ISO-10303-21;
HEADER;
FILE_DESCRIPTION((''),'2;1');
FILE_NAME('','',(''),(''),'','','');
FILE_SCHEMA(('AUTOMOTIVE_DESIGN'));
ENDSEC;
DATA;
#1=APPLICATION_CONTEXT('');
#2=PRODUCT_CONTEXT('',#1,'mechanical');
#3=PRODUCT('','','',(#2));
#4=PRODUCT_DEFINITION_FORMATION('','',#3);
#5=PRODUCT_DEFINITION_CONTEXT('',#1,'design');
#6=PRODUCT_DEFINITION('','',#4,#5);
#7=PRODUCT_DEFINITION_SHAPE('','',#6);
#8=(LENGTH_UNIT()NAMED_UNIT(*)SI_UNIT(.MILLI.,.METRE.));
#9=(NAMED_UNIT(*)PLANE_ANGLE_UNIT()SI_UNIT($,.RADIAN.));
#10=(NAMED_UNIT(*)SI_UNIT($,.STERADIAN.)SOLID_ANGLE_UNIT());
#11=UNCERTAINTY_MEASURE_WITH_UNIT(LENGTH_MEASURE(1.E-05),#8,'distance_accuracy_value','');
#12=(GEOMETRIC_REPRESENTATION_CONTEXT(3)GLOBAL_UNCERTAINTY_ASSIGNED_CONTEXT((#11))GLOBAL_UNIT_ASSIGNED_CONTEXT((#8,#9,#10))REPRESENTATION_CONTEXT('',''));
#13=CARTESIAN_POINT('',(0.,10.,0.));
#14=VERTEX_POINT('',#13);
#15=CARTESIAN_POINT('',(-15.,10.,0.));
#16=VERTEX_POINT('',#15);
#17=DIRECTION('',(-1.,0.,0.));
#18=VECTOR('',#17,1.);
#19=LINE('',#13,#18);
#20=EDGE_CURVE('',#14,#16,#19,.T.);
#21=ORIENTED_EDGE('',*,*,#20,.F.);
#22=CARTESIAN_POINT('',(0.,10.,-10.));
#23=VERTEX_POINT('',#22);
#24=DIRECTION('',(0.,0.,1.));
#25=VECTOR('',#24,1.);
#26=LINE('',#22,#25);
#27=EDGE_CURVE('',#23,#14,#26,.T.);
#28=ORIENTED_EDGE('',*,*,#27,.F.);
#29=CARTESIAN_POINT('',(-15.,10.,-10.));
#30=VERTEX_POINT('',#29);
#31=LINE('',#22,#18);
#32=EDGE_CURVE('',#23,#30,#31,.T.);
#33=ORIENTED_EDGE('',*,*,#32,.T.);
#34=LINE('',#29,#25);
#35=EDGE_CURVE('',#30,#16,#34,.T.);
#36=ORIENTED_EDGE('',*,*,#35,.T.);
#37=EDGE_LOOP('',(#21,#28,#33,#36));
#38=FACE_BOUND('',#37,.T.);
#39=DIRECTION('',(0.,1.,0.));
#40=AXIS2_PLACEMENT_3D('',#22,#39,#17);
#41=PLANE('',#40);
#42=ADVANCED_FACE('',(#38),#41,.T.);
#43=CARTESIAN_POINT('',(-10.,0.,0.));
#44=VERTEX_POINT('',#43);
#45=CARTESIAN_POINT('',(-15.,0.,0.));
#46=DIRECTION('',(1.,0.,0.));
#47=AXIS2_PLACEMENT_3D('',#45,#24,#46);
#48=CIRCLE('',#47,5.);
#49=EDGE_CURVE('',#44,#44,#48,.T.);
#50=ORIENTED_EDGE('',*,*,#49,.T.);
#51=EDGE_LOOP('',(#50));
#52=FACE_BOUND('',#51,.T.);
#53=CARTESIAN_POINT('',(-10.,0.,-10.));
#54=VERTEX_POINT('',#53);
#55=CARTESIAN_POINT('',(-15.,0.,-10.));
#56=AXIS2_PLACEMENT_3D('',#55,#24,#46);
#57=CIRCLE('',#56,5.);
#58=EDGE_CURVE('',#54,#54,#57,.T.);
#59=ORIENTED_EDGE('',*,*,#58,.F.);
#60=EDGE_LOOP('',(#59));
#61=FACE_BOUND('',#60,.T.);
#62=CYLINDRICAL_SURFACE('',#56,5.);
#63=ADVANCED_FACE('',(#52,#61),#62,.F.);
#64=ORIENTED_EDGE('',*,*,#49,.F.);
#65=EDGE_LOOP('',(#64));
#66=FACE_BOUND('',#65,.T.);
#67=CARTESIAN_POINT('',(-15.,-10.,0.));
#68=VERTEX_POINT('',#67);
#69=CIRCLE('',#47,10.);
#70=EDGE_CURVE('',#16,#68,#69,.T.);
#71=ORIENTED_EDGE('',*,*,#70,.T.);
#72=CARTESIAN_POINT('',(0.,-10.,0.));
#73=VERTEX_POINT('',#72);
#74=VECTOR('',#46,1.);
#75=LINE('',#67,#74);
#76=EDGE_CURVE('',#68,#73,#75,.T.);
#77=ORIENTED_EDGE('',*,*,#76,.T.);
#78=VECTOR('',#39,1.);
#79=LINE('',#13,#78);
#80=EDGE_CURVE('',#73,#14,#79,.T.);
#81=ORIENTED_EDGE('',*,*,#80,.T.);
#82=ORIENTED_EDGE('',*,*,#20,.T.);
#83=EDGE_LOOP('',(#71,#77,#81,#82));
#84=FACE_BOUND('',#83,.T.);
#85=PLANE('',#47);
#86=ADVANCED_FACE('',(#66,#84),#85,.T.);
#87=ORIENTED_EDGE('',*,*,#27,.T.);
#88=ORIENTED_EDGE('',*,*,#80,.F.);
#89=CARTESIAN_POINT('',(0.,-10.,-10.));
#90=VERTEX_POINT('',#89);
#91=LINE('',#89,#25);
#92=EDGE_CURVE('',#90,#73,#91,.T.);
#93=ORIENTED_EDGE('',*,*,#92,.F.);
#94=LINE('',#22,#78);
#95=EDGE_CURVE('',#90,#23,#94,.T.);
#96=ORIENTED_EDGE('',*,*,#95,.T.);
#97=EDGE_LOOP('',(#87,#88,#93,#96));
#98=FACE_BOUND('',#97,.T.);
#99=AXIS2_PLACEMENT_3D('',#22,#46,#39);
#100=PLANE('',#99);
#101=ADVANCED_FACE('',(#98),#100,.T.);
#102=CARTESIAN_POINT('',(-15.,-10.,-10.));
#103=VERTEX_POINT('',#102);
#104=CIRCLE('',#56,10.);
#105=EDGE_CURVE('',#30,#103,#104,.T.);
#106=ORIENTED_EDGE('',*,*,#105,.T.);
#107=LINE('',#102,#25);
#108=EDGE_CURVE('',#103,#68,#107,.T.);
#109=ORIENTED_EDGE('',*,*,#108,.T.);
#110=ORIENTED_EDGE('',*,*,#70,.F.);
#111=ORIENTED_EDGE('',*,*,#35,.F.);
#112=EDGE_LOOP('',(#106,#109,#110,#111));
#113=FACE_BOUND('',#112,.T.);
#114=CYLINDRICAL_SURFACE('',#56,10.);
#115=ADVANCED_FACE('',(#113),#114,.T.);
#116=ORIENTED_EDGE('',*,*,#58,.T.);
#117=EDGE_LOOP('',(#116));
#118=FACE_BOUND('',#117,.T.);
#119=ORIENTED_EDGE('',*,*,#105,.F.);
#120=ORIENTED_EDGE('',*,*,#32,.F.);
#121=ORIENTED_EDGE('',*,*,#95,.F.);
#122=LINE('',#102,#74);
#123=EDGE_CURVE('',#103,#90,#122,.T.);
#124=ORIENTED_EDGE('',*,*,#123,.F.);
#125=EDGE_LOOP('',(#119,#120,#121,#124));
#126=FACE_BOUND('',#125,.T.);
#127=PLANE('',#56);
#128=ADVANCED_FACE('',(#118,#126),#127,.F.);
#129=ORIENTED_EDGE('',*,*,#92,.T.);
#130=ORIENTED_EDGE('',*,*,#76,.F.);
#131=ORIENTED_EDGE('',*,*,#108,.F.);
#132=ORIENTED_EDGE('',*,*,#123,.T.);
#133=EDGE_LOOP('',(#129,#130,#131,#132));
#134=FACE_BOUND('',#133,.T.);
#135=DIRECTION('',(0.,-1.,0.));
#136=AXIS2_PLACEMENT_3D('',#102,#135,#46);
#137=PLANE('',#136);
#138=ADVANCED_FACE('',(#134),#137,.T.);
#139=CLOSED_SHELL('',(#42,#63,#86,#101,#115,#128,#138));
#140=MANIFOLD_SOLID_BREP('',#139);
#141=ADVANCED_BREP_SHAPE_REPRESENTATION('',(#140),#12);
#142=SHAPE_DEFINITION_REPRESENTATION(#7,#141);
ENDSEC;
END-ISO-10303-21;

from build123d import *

# Parameters (mm, degrees)
SKETCH2_R           = 5
BOSS_EXTRUDE1_DEPTH = 10


with BuildPart() as part:
    # Sketch2 → Boss-Extrude1 (new body)
    with BuildSketch(Plane.XY):
        with BuildLine():
            Line((0, 10), (0, -10))
            Line((0, -10), (-15, -10))
            ThreePointArc((-15, -10), (-25, 0), (-15, 10))
            Line((-15, 10), (0, 10))
        make_face()
        with Locations((-15, 0)):
            Circle(SKETCH2_R, mode=Mode.SUBTRACT)
    extrude(amount=-BOSS_EXTRUDE1_DEPTH)


solid = part.part
